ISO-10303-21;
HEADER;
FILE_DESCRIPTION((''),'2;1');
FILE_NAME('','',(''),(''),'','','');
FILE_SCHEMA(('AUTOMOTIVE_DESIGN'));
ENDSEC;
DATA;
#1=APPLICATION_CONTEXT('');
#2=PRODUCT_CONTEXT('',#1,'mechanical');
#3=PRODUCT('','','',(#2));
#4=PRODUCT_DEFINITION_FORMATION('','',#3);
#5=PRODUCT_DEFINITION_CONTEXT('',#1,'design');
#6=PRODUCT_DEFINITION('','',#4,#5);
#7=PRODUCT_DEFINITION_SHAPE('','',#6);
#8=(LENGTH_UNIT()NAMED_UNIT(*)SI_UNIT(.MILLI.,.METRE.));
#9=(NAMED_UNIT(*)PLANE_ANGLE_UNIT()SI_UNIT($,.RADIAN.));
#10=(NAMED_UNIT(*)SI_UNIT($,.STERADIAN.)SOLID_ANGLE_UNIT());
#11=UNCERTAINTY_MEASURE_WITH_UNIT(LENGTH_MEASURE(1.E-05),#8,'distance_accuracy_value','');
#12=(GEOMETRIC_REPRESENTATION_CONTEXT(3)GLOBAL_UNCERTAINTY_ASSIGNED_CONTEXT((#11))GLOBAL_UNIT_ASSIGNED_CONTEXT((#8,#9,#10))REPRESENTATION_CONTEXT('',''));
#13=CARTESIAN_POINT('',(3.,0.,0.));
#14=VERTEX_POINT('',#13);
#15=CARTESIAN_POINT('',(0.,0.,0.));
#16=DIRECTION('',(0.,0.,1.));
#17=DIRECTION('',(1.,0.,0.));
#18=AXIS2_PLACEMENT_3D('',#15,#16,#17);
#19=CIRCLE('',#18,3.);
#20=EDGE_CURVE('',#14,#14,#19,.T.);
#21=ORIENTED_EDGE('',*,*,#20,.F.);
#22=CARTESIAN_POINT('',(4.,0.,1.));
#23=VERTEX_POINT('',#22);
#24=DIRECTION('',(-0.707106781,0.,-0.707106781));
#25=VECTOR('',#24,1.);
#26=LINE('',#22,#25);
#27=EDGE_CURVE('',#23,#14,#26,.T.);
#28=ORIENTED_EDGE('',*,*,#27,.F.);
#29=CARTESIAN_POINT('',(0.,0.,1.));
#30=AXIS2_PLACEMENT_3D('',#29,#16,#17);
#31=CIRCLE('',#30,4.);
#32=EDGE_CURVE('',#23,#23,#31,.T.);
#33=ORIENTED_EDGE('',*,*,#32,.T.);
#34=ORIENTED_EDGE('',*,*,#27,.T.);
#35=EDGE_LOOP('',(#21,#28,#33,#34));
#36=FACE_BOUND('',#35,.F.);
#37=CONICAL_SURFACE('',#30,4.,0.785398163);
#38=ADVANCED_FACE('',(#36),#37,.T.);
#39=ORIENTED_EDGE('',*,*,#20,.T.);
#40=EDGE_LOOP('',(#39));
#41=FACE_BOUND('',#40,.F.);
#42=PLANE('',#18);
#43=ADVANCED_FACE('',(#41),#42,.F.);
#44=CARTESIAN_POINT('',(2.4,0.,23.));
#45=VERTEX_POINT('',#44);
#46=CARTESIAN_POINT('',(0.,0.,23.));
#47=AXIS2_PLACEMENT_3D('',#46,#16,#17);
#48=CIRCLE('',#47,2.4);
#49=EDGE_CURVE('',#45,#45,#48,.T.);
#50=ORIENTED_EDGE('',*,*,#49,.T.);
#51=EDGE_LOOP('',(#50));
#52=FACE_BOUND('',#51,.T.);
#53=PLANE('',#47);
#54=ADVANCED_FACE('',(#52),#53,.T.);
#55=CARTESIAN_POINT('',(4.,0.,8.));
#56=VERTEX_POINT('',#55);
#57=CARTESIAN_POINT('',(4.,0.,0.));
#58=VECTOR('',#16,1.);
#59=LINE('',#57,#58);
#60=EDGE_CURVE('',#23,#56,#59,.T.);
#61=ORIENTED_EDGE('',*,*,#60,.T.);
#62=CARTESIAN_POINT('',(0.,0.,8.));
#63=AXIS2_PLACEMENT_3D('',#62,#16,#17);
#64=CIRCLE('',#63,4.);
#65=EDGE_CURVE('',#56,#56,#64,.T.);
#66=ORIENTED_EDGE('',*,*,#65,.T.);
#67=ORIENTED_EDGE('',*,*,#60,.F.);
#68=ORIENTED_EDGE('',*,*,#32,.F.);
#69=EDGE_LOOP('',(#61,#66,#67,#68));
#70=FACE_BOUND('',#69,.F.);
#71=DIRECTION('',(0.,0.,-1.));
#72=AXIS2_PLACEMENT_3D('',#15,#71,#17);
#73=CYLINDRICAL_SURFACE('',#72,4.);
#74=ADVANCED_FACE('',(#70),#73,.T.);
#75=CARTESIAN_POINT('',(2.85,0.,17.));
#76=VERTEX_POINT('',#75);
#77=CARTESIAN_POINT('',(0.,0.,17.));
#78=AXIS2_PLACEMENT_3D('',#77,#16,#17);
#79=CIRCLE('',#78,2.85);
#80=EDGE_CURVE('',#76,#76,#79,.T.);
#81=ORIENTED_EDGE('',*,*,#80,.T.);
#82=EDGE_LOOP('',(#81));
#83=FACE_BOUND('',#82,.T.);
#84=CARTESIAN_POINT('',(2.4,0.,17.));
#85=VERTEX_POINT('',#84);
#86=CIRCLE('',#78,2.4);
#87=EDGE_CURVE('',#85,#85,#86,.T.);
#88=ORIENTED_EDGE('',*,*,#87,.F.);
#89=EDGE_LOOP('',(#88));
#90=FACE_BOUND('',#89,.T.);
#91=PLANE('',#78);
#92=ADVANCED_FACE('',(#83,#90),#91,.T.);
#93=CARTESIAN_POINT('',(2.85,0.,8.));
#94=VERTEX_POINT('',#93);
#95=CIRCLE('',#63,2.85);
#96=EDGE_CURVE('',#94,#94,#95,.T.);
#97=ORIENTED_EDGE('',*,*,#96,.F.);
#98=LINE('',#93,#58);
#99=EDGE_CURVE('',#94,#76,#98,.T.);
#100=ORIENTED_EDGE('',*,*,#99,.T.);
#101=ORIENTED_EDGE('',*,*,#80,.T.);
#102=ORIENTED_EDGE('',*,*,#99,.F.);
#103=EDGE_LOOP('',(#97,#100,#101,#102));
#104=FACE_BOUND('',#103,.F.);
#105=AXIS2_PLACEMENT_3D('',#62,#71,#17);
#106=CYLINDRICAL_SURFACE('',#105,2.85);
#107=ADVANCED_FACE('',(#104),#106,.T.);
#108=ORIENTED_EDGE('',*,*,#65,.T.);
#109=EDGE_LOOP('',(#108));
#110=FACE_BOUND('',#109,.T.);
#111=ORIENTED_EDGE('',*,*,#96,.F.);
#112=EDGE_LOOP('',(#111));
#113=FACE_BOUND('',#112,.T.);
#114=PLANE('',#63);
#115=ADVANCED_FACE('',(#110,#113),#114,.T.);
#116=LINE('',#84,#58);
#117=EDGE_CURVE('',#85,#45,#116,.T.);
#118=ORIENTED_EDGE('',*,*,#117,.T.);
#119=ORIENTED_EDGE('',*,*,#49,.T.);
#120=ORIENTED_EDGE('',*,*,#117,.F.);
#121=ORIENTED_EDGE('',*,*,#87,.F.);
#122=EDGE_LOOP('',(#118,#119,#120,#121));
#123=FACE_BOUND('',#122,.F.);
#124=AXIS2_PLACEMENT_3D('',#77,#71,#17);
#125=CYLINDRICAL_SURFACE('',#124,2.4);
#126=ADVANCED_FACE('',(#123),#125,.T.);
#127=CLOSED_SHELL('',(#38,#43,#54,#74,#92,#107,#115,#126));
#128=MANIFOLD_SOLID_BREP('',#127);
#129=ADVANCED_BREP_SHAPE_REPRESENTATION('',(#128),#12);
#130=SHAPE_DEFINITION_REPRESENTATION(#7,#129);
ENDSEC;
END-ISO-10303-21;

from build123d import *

# Parameters (mm, degrees)
SKETCH_R     = 4
PAD_DEPTH    = 8
SKETCH001_R  = 2.85
PAD001_DEPTH = 9
SKETCH002_R  = 2.4
PAD002_DEPTH = 6
CHAMFER_SIZE = 1


with BuildPart() as part:
    # Sketch → Pad (new body)
    with BuildSketch(Plane.XY):
        Circle(SKETCH_R)
    extrude(amount=PAD_DEPTH)

    # Sketch001 (on Face3 of Pad) → Pad001 (join)
    with BuildSketch(Plane.XY.offset(8)):
        Circle(SKETCH001_R)
    extrude(amount=PAD001_DEPTH)

    # Sketch002 (on Face5 of Pad001) → Pad002 (join)
    with BuildSketch(Plane.XY.offset(17)):
        Circle(SKETCH002_R)
    extrude(amount=PAD002_DEPTH)

    # Chamfer
    chamfer_edges = [part.edges().sort_by_distance(p)[0] for p in [
        (-4, 0, 0),
    ]]
    chamfer(chamfer_edges, length=CHAMFER_SIZE)


solid = part.part
